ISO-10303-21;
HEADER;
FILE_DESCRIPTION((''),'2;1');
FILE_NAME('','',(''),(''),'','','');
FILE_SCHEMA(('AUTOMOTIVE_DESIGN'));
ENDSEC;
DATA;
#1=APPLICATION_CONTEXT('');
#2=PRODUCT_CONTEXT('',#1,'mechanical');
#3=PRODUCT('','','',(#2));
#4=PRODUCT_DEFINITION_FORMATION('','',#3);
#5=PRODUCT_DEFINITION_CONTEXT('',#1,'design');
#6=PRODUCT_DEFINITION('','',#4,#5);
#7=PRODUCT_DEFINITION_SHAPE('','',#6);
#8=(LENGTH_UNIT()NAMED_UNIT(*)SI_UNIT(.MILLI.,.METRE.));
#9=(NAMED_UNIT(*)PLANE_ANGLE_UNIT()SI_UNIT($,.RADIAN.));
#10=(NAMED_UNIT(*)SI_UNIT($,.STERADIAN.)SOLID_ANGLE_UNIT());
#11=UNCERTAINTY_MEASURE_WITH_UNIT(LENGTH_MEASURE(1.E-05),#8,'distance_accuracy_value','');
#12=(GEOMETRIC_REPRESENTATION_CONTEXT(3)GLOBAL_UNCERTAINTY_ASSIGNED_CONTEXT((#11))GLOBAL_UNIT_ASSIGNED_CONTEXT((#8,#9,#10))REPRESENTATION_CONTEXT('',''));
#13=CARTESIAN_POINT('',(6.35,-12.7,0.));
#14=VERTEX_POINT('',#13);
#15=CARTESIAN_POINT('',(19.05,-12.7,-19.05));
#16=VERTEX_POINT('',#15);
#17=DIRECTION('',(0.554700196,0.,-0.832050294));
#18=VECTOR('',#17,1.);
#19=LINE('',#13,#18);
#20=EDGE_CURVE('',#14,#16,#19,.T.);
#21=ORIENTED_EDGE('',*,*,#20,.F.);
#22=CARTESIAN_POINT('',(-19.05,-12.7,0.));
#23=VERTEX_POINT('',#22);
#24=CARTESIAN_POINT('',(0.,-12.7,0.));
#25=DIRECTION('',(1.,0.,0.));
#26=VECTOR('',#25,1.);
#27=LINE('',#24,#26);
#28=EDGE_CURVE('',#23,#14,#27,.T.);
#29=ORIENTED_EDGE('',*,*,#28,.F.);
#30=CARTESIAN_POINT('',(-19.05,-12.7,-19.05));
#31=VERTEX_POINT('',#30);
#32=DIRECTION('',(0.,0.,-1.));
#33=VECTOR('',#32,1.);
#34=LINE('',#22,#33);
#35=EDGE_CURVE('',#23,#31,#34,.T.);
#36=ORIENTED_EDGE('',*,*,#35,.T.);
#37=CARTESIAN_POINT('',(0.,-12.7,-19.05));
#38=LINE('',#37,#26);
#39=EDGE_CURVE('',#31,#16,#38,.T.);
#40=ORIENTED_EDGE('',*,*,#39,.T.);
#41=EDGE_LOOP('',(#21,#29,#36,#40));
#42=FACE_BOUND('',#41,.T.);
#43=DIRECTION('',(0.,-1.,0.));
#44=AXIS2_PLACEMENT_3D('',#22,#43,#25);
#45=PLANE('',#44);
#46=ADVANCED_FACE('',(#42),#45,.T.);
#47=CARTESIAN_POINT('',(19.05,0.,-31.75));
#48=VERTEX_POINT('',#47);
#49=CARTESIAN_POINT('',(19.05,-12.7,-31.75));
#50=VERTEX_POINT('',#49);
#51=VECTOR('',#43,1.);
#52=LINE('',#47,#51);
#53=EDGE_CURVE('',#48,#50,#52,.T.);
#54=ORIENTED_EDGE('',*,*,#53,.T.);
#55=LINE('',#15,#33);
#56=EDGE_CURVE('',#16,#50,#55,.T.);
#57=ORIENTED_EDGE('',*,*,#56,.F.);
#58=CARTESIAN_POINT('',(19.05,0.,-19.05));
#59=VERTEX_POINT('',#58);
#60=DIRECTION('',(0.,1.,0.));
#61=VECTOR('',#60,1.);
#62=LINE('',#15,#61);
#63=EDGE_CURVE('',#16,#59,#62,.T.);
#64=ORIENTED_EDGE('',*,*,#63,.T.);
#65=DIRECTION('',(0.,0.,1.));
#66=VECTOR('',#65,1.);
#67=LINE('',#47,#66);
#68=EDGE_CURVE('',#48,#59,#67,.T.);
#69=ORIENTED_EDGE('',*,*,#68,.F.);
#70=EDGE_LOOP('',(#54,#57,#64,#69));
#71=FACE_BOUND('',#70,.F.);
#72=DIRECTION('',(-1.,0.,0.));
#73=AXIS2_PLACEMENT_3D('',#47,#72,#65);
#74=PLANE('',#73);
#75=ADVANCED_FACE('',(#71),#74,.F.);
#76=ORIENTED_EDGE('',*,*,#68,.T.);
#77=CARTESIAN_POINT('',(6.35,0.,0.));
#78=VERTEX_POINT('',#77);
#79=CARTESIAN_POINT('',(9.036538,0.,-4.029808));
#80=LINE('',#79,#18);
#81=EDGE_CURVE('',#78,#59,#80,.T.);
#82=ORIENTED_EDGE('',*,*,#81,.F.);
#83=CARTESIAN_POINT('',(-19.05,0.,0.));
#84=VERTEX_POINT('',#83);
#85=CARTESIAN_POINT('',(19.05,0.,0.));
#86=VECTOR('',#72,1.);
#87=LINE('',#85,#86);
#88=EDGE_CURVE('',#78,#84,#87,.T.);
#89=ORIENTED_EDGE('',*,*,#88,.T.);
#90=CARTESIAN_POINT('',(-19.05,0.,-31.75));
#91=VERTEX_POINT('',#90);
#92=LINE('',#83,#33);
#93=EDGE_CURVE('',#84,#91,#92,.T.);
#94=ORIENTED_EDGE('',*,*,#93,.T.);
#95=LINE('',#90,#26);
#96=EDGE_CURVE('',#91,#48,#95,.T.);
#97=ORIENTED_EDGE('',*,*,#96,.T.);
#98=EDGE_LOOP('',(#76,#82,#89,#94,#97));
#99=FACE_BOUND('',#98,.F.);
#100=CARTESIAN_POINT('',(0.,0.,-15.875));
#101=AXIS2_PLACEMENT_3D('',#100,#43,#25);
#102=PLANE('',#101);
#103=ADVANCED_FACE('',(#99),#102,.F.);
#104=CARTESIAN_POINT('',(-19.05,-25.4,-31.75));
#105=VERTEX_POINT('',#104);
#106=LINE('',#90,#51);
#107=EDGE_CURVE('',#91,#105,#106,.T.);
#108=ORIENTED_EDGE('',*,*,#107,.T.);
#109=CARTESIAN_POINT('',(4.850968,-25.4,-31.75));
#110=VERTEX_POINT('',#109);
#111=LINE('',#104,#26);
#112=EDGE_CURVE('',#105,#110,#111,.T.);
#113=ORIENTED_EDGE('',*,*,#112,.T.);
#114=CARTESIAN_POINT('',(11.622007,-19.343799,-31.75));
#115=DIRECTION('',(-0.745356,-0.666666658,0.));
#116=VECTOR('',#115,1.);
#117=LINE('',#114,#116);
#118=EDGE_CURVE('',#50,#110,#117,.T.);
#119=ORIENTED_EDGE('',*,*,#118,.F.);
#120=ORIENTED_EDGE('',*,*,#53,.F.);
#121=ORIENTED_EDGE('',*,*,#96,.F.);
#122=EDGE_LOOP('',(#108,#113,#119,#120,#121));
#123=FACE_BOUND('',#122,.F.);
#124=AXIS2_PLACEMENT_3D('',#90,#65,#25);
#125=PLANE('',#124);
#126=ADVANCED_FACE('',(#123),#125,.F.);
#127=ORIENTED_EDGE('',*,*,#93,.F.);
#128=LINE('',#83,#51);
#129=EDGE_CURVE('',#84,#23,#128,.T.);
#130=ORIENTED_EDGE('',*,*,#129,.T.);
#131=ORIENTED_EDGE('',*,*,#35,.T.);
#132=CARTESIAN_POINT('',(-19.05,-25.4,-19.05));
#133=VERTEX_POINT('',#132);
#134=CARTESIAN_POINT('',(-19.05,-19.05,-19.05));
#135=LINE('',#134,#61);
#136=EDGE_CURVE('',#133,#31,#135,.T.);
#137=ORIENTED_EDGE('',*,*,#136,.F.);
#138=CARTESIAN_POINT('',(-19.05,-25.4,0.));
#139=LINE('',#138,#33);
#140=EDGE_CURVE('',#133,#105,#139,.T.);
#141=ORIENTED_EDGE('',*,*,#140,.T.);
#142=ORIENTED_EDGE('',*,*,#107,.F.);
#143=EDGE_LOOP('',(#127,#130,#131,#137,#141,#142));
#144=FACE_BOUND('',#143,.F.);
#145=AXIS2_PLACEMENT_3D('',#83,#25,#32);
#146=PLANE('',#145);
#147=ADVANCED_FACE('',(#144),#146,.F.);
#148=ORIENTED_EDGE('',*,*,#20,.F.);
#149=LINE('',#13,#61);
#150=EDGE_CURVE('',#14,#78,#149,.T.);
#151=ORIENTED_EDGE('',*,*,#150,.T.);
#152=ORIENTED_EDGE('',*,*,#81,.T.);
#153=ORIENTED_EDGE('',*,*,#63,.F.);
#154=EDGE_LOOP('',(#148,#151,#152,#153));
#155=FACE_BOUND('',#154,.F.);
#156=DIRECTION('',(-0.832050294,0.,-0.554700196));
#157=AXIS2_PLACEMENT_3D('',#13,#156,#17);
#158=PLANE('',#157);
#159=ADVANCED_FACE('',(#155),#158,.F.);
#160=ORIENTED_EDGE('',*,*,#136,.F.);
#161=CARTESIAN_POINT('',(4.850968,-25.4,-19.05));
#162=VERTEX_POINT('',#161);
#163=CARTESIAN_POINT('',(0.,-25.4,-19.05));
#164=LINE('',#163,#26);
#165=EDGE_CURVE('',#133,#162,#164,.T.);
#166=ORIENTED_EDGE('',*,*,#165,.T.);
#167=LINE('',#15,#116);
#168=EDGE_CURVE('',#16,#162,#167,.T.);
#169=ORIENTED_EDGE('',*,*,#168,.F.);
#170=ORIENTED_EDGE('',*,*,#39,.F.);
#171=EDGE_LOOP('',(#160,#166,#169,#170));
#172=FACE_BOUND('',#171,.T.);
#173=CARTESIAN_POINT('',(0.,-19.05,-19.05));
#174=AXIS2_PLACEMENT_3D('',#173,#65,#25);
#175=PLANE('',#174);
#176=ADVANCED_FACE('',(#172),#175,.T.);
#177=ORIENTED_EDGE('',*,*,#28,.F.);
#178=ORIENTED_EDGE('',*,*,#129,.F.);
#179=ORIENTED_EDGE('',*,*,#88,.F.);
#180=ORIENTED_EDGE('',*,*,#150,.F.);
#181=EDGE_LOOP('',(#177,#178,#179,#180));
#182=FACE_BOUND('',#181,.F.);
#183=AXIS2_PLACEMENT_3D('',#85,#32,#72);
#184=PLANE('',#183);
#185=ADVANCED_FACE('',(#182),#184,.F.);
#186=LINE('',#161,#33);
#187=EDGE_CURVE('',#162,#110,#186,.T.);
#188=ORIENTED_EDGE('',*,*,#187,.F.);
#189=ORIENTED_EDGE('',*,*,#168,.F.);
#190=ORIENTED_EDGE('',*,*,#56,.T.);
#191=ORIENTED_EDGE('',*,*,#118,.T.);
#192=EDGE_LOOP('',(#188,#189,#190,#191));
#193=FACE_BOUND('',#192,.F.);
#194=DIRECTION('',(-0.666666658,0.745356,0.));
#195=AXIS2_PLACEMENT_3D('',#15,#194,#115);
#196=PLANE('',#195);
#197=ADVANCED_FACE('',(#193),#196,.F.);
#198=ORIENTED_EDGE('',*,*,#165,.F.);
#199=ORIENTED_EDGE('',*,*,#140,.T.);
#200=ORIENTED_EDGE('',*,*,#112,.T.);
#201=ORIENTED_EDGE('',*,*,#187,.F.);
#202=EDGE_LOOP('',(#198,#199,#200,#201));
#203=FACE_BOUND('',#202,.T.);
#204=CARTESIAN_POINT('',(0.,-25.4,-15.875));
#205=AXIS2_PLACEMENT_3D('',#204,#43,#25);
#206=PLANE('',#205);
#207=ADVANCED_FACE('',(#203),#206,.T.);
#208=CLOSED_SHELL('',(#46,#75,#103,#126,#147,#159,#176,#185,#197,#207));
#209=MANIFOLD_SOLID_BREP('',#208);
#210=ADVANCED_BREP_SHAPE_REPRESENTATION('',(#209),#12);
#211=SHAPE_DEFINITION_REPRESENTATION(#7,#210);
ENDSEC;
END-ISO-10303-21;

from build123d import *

# Parameters (mm, degrees)
F1_DEPTH = 25.4
F2_W     = 38.1
F2_H     = 12.7
F3_DEPTH = 19.05
F5_DEPTH = 25.4
F7_DEPTH = 25.4


with BuildPart() as f1:
    # F0 (on Front) → F1 (new body)
    with BuildSketch(Plane.XZ):
        Polygon((19.05, 0), (0, 0), (-19.05, 0), (-19.05, -31.75), (19.05, -31.75), align=None)
    extrude(amount=F1_DEPTH)

    # F2 (on face) → F3 (cut)
    with BuildSketch(Plane.XY):
        with Locations((0, -19.05)):
            Rectangle(F2_W, F2_H)
    extrude(amount=-F3_DEPTH, mode=Mode.SUBTRACT)

    # F4 (on face) → F5 (cut)
    with BuildSketch(Plane.XY.offset(-19.05)):
        Polygon((19.05, -25.4), (19.05, -12.7), (4.850968, -25.4), align=None)
    extrude(amount=-F5_DEPTH, mode=Mode.SUBTRACT)

    # F6 (on face) → F7 (cut)
    with BuildSketch(Plane.XZ.offset(12.7)):
        Polygon((19.05, -19.05), (19.05, 0), (6.35, 0), align=None)
    extrude(amount=-F7_DEPTH, mode=Mode.SUBTRACT)


solid = f1.part
